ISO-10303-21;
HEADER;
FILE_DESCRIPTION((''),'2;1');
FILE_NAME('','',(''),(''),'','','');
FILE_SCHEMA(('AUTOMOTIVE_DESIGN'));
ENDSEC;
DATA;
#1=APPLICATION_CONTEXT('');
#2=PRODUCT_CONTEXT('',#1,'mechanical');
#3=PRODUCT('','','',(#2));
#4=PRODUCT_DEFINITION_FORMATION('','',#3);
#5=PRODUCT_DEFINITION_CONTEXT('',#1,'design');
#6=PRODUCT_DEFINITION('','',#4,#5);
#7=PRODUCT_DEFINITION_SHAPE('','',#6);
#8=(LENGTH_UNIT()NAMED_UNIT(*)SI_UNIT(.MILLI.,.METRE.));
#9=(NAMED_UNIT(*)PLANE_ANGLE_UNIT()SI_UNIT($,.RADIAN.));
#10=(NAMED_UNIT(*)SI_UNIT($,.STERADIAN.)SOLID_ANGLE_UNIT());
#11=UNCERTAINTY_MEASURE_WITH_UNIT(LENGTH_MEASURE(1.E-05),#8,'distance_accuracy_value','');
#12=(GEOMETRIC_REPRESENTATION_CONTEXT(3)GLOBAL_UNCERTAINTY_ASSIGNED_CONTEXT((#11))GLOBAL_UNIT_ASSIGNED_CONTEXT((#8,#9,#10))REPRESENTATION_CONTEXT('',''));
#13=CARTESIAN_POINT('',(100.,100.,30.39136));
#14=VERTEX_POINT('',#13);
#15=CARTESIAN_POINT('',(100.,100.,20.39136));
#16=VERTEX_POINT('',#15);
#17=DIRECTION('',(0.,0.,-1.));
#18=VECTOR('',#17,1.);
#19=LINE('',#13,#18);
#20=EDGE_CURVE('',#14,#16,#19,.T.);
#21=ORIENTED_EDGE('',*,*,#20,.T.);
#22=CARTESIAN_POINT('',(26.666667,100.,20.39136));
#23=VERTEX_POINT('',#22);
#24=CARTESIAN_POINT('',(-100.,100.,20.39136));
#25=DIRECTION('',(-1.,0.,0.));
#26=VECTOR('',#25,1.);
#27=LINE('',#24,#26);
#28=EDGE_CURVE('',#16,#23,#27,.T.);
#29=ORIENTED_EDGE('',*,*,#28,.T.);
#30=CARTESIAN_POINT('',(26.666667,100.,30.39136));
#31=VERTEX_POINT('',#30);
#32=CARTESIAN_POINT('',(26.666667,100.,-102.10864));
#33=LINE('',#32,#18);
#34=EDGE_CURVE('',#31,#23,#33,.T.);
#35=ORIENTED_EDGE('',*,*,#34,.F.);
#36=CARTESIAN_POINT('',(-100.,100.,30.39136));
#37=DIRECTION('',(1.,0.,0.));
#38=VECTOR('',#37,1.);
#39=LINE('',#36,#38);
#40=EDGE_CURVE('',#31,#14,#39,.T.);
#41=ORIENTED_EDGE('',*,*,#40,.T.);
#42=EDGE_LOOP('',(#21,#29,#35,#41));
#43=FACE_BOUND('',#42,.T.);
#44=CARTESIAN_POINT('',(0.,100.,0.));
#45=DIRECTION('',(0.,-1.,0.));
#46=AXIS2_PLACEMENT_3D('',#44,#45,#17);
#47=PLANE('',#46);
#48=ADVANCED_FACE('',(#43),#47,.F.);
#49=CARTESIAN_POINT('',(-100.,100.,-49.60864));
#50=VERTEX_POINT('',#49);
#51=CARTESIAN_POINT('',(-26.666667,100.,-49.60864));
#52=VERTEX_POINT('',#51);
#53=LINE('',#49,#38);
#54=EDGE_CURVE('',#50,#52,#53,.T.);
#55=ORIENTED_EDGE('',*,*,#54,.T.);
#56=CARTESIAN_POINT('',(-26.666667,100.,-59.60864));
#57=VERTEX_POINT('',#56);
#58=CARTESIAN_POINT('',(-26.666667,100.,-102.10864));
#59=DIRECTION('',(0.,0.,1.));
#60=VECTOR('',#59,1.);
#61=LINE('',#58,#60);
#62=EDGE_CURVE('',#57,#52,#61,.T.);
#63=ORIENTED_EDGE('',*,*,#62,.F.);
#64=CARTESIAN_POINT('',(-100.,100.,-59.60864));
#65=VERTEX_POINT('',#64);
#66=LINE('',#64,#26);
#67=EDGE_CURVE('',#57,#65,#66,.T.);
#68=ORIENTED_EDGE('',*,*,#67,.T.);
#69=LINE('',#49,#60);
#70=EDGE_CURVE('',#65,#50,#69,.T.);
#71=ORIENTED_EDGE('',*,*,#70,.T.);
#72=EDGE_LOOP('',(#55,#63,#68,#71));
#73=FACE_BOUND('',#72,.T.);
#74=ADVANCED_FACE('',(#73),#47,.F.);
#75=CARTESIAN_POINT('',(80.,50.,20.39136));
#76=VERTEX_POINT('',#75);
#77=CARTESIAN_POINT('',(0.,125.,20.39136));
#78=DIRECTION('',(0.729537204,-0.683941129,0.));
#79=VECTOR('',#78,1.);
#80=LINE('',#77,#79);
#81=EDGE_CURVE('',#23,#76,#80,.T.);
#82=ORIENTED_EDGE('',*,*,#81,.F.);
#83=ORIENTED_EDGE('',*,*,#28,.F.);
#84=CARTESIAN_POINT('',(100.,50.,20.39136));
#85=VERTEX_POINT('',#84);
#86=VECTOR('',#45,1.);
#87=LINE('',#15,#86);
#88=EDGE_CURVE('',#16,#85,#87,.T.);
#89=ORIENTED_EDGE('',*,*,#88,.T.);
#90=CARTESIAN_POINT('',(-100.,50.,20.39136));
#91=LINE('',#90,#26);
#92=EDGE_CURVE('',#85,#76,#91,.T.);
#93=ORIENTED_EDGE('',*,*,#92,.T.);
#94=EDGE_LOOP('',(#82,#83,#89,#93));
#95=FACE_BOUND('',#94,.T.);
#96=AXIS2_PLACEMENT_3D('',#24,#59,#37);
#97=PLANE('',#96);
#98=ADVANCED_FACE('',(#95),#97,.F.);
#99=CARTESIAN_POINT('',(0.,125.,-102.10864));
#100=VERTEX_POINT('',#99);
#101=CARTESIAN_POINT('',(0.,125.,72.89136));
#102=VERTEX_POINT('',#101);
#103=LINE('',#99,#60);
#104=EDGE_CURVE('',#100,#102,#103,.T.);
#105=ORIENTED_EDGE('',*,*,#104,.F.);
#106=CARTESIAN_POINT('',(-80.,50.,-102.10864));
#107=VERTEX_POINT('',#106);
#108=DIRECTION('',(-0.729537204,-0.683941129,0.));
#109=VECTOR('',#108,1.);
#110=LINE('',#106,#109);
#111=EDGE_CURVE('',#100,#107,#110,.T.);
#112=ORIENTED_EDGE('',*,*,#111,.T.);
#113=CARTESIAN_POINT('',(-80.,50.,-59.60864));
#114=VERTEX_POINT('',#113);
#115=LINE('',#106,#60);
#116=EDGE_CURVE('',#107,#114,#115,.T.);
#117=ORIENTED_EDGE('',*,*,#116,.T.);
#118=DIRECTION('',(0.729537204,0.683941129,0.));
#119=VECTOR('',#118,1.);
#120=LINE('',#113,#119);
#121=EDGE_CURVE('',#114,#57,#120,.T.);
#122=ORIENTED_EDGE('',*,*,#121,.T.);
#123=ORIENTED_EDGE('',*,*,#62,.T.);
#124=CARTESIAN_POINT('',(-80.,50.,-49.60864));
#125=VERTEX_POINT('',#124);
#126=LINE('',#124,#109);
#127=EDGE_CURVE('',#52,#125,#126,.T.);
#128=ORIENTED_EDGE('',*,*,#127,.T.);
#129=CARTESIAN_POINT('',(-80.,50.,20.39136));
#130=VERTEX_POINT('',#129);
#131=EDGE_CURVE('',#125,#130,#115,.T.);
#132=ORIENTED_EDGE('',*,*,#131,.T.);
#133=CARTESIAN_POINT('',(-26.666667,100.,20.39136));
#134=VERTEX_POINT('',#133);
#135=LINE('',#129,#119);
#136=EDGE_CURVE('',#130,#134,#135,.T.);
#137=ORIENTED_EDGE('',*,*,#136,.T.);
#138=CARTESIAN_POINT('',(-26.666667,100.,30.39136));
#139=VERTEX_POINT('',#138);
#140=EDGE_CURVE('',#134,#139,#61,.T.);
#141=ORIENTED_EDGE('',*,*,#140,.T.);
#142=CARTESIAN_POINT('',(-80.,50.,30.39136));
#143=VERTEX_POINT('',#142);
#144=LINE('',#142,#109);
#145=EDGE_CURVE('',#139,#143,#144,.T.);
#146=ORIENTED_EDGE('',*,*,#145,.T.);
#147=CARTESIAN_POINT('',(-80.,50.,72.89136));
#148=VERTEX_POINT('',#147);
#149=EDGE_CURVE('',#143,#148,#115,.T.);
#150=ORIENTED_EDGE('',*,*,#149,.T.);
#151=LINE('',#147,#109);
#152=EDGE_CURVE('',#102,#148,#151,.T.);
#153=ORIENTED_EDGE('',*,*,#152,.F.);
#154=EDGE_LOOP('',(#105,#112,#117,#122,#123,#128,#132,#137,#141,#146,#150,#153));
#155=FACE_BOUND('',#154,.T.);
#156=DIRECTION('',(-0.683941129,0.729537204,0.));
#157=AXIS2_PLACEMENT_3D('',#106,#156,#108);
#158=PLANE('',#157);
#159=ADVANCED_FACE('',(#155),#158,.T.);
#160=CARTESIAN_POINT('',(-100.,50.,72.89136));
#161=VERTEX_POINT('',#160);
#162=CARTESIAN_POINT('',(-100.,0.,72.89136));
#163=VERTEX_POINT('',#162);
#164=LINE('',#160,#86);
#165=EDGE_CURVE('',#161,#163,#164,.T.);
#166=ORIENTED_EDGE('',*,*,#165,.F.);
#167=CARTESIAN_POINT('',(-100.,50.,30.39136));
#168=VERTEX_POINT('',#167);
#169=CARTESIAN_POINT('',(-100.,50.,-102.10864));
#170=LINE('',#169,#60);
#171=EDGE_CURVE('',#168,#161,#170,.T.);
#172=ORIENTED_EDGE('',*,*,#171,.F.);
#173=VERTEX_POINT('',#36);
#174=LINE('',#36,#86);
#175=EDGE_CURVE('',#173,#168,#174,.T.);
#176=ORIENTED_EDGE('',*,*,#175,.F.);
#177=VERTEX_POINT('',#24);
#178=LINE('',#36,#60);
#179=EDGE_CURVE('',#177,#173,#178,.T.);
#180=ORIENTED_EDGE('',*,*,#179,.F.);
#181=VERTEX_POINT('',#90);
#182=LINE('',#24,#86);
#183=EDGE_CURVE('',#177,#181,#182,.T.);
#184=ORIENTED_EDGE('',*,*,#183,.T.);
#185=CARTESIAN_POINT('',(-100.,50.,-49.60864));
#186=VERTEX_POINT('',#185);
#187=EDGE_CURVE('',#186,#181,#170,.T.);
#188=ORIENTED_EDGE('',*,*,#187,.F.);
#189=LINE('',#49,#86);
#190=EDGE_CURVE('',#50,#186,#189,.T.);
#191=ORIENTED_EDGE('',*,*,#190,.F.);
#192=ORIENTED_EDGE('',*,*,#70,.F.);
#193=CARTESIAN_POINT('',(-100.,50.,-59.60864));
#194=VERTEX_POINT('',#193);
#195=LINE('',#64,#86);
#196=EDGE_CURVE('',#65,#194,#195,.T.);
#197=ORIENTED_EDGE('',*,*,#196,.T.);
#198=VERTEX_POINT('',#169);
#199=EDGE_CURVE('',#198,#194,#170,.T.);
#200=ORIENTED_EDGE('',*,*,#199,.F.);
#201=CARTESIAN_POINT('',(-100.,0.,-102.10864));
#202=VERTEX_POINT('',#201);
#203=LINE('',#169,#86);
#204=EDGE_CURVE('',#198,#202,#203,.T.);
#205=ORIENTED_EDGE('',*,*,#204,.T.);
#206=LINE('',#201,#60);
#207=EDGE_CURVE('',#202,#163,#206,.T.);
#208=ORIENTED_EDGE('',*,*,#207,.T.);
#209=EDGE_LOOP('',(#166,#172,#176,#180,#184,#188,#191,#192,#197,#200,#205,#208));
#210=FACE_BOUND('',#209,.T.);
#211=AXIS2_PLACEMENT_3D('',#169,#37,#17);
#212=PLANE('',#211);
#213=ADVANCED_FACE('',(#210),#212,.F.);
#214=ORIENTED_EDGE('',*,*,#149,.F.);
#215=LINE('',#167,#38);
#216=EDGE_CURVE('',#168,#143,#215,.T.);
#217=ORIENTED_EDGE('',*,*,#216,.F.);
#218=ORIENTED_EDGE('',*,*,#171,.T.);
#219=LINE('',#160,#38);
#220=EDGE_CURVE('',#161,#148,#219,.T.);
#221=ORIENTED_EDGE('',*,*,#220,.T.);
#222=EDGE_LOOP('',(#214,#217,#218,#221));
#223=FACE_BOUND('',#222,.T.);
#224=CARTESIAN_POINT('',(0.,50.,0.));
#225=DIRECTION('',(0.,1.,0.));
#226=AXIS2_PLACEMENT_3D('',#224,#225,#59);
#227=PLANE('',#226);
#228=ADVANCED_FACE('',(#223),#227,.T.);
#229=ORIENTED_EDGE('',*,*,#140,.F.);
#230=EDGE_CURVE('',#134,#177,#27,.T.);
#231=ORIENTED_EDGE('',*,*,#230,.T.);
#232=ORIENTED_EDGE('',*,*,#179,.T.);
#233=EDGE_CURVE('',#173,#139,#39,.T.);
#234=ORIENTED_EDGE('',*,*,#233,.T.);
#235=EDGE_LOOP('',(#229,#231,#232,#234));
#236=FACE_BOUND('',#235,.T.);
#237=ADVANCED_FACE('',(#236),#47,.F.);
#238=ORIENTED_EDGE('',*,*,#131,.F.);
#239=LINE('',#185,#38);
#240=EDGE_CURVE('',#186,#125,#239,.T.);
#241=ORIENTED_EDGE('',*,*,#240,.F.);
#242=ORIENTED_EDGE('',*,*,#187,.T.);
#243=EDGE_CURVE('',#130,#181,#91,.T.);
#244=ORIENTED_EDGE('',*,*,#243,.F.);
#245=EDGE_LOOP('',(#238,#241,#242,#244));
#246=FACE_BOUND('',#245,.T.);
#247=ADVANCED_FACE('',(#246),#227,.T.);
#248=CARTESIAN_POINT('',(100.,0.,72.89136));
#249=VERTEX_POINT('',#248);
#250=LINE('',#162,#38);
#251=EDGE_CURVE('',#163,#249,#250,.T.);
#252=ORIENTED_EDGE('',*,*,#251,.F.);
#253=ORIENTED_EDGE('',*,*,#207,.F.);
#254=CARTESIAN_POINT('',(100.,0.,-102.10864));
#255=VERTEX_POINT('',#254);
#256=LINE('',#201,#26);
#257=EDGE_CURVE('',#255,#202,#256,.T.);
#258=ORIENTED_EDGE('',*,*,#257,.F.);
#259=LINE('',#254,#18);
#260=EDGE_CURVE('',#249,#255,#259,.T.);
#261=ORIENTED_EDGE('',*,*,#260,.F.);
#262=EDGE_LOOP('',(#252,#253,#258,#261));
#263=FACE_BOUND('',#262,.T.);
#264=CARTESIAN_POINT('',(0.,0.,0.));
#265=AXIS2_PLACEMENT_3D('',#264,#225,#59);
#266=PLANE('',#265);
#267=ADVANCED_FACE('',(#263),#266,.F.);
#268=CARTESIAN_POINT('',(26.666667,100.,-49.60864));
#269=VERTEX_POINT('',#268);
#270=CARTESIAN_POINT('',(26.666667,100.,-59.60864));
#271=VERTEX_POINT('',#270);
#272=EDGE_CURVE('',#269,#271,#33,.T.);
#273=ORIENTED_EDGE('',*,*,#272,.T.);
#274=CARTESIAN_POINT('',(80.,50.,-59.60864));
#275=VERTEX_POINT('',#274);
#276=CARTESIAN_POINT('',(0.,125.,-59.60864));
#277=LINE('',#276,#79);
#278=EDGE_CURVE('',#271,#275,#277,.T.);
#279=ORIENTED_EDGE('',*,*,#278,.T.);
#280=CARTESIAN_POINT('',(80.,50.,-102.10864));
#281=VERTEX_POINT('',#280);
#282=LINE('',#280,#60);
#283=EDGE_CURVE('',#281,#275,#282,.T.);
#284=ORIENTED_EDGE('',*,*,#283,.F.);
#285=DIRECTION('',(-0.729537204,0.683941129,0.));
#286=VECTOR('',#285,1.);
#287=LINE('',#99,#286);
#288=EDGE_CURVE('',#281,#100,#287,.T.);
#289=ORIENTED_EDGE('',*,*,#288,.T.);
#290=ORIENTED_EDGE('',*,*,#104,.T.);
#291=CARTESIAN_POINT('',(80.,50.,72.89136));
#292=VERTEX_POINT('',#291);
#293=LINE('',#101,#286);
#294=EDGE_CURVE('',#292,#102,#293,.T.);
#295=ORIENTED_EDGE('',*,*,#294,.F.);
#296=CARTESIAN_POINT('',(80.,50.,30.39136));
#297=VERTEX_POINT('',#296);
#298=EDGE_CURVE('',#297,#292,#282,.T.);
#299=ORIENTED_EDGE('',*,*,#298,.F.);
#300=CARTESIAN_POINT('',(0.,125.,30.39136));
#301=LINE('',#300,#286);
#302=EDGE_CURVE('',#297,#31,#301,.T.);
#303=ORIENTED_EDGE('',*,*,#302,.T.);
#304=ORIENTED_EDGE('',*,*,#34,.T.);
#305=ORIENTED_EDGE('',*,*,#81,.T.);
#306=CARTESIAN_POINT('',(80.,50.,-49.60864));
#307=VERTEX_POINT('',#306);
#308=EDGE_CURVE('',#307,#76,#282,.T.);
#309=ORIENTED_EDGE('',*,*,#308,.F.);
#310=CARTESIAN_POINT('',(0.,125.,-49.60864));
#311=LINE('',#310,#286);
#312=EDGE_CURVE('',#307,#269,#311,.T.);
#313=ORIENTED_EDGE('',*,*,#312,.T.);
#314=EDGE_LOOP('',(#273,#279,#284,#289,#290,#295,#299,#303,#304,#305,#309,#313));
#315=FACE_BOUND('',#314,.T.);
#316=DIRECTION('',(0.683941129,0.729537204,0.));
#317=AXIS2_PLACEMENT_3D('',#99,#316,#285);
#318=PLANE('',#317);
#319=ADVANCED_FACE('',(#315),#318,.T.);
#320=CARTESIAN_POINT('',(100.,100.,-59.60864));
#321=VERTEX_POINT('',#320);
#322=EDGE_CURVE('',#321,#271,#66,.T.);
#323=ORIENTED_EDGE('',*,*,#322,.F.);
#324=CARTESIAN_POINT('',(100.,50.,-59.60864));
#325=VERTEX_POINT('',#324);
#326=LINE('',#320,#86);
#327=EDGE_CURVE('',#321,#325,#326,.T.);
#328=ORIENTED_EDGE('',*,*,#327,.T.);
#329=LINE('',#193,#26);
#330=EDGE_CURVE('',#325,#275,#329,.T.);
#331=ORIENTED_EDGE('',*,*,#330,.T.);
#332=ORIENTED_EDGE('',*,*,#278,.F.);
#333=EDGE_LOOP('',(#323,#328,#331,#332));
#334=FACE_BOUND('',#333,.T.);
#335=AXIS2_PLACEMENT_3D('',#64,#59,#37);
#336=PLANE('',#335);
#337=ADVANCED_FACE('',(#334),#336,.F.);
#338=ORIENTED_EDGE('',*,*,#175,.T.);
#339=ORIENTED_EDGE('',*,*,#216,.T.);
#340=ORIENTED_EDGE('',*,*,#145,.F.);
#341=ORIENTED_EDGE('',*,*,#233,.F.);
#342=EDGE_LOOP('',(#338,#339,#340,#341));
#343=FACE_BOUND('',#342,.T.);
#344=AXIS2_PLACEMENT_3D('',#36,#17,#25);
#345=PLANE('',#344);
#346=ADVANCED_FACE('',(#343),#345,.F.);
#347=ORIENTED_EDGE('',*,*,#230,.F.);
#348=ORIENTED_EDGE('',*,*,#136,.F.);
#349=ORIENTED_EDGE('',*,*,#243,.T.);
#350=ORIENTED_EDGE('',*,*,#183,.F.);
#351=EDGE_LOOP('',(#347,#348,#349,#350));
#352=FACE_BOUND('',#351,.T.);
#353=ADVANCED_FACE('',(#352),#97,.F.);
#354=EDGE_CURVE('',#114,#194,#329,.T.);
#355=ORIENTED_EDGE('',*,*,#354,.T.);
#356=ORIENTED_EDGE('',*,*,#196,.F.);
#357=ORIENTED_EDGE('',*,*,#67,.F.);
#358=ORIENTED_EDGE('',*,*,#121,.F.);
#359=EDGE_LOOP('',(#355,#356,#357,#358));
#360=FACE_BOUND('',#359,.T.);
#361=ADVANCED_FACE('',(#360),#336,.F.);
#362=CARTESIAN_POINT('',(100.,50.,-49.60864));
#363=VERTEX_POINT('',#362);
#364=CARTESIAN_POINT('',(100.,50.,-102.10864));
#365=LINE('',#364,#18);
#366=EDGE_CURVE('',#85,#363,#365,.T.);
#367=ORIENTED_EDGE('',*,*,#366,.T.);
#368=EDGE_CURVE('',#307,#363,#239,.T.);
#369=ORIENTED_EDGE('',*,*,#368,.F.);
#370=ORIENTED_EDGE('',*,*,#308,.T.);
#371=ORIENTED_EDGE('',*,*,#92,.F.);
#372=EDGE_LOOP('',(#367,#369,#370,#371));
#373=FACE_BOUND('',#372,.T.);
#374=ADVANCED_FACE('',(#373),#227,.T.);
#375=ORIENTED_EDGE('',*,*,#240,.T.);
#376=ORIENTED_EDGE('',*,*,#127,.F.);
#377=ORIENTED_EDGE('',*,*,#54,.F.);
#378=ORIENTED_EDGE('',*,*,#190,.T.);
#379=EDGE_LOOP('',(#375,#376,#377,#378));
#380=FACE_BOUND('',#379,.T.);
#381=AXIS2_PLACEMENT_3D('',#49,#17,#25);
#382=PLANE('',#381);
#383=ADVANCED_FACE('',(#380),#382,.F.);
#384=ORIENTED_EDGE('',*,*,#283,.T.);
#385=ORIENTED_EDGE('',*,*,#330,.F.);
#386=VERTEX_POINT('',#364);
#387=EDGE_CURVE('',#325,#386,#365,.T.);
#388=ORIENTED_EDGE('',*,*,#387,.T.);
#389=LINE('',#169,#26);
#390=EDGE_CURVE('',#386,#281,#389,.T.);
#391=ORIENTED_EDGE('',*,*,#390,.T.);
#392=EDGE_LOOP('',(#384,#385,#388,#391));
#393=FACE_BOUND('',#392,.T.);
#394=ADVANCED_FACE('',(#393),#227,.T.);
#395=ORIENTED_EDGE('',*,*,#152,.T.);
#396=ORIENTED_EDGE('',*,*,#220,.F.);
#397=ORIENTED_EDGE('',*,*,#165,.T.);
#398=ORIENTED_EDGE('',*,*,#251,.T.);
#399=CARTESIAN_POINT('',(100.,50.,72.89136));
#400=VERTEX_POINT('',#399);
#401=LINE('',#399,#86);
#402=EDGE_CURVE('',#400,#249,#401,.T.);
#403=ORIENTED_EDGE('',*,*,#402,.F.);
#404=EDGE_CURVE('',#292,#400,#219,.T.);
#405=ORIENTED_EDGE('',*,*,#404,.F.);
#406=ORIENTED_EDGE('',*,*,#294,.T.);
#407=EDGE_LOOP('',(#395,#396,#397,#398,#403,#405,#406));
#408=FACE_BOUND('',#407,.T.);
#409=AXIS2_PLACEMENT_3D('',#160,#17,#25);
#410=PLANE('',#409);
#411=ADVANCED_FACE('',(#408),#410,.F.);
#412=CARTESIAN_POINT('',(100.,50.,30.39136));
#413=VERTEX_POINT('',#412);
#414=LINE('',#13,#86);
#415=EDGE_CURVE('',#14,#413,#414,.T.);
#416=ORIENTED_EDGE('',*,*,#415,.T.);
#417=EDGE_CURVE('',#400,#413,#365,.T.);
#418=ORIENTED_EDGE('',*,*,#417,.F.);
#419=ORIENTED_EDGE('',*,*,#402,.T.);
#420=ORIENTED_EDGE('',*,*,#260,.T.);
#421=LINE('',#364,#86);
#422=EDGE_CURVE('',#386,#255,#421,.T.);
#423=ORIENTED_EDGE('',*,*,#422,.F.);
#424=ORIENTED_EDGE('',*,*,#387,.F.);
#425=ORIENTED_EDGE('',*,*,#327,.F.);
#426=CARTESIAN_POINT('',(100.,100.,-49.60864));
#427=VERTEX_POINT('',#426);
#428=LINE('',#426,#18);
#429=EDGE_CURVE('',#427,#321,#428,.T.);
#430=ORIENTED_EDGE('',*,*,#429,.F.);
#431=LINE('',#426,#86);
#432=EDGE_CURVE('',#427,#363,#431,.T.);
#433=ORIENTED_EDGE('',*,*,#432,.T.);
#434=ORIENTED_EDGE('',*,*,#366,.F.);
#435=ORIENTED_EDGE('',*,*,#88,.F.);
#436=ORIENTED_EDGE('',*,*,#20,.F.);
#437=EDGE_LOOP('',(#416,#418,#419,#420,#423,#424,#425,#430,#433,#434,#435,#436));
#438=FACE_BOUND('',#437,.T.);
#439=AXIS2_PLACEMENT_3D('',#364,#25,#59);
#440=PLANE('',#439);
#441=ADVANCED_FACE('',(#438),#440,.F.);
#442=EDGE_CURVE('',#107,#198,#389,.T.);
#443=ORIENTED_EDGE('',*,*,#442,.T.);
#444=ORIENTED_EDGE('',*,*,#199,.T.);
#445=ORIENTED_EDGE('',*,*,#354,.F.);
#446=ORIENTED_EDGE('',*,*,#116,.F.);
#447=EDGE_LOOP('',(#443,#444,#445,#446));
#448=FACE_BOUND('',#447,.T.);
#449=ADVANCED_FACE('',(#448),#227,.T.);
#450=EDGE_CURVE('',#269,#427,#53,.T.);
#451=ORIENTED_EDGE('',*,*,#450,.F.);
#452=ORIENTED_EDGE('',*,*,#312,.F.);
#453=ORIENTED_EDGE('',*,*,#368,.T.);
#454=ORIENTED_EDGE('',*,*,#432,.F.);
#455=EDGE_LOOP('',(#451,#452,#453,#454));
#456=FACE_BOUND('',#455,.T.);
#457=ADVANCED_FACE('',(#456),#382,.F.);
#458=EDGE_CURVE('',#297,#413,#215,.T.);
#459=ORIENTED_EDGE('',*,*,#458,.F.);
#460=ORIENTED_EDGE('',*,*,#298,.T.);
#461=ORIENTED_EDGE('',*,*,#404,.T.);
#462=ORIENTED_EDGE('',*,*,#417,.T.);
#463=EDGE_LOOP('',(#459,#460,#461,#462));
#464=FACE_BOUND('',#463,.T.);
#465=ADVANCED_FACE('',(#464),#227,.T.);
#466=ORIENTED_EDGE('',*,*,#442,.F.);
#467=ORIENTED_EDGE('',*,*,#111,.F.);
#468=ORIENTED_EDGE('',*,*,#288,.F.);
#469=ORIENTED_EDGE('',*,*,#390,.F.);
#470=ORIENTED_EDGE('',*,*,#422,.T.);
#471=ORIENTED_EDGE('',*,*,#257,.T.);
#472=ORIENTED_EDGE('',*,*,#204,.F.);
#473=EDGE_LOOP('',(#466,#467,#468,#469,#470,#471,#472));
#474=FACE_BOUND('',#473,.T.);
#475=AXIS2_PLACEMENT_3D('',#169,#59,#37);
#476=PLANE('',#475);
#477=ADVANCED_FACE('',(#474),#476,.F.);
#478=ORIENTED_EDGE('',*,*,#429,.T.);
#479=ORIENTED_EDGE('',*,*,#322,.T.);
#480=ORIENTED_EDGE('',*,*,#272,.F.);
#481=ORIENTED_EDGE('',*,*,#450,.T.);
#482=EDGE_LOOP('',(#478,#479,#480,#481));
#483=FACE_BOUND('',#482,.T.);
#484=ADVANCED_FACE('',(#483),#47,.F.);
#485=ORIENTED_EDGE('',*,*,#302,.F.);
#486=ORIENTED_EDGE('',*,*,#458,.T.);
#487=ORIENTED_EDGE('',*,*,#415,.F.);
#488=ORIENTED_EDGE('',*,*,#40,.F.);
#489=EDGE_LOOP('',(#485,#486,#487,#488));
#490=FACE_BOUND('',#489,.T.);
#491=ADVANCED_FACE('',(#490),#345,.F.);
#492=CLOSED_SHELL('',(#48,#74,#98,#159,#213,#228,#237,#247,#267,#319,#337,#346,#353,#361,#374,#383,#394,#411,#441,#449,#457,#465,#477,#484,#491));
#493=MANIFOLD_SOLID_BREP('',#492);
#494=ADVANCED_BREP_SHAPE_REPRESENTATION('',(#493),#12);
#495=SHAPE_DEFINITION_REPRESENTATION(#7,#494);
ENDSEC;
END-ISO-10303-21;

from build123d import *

# Parameters (mm, degrees)
SKETCH1_W           = 200
SKETCH1_H           = 175
BOSS_EXTRUDE1_DEPTH = 50
BOSS_EXTRUDE2_DEPTH = 175
SKETCH4_W           = 200
SKETCH4_H           = 10
BOSS_EXTRUDE3_DEPTH = 50
SKETCH6_W           = 200
SKETCH6_H           = 10
BOSS_EXTRUDE4_DEPTH = 50


with BuildPart() as part:
    # Sketch1 → Boss-Extrude1 (new body)
    with BuildSketch(Plane(origin=(0, 0, 0), x_dir=(1, 0, 0), z_dir=(0, 1, 0))):
        with Locations((0, 14.608639935)):
            Rectangle(SKETCH1_W, SKETCH1_H)
    extrude(amount=BOSS_EXTRUDE1_DEPTH)

    # Sketch3 → Boss-Extrude2 (add)
    with BuildSketch(Plane.XY.offset(72.891360065)):
        Polygon((-80, 50), (0, 125), (80, 50), align=None)
    extrude(amount=-BOSS_EXTRUDE2_DEPTH)

    # Sketch4 → Boss-Extrude3 (add)
    with BuildSketch(Plane(origin=(0, 50, 0), x_dir=(1, 0, 0), z_dir=(0, 1, 0))):
        with Locations((0, 54.608639935)):
            Rectangle(SKETCH4_W, SKETCH4_H)
    extrude(amount=BOSS_EXTRUDE3_DEPTH)

    # Sketch6 → Boss-Extrude4 (add)
    with BuildSketch(Plane(origin=(0, 50, 0), x_dir=(1, 0, 0), z_dir=(0, 1, 0))):
        with Locations((0, -25.391360065)):
            Rectangle(SKETCH6_W, SKETCH6_H)
    extrude(amount=BOSS_EXTRUDE4_DEPTH)


solid = part.part
